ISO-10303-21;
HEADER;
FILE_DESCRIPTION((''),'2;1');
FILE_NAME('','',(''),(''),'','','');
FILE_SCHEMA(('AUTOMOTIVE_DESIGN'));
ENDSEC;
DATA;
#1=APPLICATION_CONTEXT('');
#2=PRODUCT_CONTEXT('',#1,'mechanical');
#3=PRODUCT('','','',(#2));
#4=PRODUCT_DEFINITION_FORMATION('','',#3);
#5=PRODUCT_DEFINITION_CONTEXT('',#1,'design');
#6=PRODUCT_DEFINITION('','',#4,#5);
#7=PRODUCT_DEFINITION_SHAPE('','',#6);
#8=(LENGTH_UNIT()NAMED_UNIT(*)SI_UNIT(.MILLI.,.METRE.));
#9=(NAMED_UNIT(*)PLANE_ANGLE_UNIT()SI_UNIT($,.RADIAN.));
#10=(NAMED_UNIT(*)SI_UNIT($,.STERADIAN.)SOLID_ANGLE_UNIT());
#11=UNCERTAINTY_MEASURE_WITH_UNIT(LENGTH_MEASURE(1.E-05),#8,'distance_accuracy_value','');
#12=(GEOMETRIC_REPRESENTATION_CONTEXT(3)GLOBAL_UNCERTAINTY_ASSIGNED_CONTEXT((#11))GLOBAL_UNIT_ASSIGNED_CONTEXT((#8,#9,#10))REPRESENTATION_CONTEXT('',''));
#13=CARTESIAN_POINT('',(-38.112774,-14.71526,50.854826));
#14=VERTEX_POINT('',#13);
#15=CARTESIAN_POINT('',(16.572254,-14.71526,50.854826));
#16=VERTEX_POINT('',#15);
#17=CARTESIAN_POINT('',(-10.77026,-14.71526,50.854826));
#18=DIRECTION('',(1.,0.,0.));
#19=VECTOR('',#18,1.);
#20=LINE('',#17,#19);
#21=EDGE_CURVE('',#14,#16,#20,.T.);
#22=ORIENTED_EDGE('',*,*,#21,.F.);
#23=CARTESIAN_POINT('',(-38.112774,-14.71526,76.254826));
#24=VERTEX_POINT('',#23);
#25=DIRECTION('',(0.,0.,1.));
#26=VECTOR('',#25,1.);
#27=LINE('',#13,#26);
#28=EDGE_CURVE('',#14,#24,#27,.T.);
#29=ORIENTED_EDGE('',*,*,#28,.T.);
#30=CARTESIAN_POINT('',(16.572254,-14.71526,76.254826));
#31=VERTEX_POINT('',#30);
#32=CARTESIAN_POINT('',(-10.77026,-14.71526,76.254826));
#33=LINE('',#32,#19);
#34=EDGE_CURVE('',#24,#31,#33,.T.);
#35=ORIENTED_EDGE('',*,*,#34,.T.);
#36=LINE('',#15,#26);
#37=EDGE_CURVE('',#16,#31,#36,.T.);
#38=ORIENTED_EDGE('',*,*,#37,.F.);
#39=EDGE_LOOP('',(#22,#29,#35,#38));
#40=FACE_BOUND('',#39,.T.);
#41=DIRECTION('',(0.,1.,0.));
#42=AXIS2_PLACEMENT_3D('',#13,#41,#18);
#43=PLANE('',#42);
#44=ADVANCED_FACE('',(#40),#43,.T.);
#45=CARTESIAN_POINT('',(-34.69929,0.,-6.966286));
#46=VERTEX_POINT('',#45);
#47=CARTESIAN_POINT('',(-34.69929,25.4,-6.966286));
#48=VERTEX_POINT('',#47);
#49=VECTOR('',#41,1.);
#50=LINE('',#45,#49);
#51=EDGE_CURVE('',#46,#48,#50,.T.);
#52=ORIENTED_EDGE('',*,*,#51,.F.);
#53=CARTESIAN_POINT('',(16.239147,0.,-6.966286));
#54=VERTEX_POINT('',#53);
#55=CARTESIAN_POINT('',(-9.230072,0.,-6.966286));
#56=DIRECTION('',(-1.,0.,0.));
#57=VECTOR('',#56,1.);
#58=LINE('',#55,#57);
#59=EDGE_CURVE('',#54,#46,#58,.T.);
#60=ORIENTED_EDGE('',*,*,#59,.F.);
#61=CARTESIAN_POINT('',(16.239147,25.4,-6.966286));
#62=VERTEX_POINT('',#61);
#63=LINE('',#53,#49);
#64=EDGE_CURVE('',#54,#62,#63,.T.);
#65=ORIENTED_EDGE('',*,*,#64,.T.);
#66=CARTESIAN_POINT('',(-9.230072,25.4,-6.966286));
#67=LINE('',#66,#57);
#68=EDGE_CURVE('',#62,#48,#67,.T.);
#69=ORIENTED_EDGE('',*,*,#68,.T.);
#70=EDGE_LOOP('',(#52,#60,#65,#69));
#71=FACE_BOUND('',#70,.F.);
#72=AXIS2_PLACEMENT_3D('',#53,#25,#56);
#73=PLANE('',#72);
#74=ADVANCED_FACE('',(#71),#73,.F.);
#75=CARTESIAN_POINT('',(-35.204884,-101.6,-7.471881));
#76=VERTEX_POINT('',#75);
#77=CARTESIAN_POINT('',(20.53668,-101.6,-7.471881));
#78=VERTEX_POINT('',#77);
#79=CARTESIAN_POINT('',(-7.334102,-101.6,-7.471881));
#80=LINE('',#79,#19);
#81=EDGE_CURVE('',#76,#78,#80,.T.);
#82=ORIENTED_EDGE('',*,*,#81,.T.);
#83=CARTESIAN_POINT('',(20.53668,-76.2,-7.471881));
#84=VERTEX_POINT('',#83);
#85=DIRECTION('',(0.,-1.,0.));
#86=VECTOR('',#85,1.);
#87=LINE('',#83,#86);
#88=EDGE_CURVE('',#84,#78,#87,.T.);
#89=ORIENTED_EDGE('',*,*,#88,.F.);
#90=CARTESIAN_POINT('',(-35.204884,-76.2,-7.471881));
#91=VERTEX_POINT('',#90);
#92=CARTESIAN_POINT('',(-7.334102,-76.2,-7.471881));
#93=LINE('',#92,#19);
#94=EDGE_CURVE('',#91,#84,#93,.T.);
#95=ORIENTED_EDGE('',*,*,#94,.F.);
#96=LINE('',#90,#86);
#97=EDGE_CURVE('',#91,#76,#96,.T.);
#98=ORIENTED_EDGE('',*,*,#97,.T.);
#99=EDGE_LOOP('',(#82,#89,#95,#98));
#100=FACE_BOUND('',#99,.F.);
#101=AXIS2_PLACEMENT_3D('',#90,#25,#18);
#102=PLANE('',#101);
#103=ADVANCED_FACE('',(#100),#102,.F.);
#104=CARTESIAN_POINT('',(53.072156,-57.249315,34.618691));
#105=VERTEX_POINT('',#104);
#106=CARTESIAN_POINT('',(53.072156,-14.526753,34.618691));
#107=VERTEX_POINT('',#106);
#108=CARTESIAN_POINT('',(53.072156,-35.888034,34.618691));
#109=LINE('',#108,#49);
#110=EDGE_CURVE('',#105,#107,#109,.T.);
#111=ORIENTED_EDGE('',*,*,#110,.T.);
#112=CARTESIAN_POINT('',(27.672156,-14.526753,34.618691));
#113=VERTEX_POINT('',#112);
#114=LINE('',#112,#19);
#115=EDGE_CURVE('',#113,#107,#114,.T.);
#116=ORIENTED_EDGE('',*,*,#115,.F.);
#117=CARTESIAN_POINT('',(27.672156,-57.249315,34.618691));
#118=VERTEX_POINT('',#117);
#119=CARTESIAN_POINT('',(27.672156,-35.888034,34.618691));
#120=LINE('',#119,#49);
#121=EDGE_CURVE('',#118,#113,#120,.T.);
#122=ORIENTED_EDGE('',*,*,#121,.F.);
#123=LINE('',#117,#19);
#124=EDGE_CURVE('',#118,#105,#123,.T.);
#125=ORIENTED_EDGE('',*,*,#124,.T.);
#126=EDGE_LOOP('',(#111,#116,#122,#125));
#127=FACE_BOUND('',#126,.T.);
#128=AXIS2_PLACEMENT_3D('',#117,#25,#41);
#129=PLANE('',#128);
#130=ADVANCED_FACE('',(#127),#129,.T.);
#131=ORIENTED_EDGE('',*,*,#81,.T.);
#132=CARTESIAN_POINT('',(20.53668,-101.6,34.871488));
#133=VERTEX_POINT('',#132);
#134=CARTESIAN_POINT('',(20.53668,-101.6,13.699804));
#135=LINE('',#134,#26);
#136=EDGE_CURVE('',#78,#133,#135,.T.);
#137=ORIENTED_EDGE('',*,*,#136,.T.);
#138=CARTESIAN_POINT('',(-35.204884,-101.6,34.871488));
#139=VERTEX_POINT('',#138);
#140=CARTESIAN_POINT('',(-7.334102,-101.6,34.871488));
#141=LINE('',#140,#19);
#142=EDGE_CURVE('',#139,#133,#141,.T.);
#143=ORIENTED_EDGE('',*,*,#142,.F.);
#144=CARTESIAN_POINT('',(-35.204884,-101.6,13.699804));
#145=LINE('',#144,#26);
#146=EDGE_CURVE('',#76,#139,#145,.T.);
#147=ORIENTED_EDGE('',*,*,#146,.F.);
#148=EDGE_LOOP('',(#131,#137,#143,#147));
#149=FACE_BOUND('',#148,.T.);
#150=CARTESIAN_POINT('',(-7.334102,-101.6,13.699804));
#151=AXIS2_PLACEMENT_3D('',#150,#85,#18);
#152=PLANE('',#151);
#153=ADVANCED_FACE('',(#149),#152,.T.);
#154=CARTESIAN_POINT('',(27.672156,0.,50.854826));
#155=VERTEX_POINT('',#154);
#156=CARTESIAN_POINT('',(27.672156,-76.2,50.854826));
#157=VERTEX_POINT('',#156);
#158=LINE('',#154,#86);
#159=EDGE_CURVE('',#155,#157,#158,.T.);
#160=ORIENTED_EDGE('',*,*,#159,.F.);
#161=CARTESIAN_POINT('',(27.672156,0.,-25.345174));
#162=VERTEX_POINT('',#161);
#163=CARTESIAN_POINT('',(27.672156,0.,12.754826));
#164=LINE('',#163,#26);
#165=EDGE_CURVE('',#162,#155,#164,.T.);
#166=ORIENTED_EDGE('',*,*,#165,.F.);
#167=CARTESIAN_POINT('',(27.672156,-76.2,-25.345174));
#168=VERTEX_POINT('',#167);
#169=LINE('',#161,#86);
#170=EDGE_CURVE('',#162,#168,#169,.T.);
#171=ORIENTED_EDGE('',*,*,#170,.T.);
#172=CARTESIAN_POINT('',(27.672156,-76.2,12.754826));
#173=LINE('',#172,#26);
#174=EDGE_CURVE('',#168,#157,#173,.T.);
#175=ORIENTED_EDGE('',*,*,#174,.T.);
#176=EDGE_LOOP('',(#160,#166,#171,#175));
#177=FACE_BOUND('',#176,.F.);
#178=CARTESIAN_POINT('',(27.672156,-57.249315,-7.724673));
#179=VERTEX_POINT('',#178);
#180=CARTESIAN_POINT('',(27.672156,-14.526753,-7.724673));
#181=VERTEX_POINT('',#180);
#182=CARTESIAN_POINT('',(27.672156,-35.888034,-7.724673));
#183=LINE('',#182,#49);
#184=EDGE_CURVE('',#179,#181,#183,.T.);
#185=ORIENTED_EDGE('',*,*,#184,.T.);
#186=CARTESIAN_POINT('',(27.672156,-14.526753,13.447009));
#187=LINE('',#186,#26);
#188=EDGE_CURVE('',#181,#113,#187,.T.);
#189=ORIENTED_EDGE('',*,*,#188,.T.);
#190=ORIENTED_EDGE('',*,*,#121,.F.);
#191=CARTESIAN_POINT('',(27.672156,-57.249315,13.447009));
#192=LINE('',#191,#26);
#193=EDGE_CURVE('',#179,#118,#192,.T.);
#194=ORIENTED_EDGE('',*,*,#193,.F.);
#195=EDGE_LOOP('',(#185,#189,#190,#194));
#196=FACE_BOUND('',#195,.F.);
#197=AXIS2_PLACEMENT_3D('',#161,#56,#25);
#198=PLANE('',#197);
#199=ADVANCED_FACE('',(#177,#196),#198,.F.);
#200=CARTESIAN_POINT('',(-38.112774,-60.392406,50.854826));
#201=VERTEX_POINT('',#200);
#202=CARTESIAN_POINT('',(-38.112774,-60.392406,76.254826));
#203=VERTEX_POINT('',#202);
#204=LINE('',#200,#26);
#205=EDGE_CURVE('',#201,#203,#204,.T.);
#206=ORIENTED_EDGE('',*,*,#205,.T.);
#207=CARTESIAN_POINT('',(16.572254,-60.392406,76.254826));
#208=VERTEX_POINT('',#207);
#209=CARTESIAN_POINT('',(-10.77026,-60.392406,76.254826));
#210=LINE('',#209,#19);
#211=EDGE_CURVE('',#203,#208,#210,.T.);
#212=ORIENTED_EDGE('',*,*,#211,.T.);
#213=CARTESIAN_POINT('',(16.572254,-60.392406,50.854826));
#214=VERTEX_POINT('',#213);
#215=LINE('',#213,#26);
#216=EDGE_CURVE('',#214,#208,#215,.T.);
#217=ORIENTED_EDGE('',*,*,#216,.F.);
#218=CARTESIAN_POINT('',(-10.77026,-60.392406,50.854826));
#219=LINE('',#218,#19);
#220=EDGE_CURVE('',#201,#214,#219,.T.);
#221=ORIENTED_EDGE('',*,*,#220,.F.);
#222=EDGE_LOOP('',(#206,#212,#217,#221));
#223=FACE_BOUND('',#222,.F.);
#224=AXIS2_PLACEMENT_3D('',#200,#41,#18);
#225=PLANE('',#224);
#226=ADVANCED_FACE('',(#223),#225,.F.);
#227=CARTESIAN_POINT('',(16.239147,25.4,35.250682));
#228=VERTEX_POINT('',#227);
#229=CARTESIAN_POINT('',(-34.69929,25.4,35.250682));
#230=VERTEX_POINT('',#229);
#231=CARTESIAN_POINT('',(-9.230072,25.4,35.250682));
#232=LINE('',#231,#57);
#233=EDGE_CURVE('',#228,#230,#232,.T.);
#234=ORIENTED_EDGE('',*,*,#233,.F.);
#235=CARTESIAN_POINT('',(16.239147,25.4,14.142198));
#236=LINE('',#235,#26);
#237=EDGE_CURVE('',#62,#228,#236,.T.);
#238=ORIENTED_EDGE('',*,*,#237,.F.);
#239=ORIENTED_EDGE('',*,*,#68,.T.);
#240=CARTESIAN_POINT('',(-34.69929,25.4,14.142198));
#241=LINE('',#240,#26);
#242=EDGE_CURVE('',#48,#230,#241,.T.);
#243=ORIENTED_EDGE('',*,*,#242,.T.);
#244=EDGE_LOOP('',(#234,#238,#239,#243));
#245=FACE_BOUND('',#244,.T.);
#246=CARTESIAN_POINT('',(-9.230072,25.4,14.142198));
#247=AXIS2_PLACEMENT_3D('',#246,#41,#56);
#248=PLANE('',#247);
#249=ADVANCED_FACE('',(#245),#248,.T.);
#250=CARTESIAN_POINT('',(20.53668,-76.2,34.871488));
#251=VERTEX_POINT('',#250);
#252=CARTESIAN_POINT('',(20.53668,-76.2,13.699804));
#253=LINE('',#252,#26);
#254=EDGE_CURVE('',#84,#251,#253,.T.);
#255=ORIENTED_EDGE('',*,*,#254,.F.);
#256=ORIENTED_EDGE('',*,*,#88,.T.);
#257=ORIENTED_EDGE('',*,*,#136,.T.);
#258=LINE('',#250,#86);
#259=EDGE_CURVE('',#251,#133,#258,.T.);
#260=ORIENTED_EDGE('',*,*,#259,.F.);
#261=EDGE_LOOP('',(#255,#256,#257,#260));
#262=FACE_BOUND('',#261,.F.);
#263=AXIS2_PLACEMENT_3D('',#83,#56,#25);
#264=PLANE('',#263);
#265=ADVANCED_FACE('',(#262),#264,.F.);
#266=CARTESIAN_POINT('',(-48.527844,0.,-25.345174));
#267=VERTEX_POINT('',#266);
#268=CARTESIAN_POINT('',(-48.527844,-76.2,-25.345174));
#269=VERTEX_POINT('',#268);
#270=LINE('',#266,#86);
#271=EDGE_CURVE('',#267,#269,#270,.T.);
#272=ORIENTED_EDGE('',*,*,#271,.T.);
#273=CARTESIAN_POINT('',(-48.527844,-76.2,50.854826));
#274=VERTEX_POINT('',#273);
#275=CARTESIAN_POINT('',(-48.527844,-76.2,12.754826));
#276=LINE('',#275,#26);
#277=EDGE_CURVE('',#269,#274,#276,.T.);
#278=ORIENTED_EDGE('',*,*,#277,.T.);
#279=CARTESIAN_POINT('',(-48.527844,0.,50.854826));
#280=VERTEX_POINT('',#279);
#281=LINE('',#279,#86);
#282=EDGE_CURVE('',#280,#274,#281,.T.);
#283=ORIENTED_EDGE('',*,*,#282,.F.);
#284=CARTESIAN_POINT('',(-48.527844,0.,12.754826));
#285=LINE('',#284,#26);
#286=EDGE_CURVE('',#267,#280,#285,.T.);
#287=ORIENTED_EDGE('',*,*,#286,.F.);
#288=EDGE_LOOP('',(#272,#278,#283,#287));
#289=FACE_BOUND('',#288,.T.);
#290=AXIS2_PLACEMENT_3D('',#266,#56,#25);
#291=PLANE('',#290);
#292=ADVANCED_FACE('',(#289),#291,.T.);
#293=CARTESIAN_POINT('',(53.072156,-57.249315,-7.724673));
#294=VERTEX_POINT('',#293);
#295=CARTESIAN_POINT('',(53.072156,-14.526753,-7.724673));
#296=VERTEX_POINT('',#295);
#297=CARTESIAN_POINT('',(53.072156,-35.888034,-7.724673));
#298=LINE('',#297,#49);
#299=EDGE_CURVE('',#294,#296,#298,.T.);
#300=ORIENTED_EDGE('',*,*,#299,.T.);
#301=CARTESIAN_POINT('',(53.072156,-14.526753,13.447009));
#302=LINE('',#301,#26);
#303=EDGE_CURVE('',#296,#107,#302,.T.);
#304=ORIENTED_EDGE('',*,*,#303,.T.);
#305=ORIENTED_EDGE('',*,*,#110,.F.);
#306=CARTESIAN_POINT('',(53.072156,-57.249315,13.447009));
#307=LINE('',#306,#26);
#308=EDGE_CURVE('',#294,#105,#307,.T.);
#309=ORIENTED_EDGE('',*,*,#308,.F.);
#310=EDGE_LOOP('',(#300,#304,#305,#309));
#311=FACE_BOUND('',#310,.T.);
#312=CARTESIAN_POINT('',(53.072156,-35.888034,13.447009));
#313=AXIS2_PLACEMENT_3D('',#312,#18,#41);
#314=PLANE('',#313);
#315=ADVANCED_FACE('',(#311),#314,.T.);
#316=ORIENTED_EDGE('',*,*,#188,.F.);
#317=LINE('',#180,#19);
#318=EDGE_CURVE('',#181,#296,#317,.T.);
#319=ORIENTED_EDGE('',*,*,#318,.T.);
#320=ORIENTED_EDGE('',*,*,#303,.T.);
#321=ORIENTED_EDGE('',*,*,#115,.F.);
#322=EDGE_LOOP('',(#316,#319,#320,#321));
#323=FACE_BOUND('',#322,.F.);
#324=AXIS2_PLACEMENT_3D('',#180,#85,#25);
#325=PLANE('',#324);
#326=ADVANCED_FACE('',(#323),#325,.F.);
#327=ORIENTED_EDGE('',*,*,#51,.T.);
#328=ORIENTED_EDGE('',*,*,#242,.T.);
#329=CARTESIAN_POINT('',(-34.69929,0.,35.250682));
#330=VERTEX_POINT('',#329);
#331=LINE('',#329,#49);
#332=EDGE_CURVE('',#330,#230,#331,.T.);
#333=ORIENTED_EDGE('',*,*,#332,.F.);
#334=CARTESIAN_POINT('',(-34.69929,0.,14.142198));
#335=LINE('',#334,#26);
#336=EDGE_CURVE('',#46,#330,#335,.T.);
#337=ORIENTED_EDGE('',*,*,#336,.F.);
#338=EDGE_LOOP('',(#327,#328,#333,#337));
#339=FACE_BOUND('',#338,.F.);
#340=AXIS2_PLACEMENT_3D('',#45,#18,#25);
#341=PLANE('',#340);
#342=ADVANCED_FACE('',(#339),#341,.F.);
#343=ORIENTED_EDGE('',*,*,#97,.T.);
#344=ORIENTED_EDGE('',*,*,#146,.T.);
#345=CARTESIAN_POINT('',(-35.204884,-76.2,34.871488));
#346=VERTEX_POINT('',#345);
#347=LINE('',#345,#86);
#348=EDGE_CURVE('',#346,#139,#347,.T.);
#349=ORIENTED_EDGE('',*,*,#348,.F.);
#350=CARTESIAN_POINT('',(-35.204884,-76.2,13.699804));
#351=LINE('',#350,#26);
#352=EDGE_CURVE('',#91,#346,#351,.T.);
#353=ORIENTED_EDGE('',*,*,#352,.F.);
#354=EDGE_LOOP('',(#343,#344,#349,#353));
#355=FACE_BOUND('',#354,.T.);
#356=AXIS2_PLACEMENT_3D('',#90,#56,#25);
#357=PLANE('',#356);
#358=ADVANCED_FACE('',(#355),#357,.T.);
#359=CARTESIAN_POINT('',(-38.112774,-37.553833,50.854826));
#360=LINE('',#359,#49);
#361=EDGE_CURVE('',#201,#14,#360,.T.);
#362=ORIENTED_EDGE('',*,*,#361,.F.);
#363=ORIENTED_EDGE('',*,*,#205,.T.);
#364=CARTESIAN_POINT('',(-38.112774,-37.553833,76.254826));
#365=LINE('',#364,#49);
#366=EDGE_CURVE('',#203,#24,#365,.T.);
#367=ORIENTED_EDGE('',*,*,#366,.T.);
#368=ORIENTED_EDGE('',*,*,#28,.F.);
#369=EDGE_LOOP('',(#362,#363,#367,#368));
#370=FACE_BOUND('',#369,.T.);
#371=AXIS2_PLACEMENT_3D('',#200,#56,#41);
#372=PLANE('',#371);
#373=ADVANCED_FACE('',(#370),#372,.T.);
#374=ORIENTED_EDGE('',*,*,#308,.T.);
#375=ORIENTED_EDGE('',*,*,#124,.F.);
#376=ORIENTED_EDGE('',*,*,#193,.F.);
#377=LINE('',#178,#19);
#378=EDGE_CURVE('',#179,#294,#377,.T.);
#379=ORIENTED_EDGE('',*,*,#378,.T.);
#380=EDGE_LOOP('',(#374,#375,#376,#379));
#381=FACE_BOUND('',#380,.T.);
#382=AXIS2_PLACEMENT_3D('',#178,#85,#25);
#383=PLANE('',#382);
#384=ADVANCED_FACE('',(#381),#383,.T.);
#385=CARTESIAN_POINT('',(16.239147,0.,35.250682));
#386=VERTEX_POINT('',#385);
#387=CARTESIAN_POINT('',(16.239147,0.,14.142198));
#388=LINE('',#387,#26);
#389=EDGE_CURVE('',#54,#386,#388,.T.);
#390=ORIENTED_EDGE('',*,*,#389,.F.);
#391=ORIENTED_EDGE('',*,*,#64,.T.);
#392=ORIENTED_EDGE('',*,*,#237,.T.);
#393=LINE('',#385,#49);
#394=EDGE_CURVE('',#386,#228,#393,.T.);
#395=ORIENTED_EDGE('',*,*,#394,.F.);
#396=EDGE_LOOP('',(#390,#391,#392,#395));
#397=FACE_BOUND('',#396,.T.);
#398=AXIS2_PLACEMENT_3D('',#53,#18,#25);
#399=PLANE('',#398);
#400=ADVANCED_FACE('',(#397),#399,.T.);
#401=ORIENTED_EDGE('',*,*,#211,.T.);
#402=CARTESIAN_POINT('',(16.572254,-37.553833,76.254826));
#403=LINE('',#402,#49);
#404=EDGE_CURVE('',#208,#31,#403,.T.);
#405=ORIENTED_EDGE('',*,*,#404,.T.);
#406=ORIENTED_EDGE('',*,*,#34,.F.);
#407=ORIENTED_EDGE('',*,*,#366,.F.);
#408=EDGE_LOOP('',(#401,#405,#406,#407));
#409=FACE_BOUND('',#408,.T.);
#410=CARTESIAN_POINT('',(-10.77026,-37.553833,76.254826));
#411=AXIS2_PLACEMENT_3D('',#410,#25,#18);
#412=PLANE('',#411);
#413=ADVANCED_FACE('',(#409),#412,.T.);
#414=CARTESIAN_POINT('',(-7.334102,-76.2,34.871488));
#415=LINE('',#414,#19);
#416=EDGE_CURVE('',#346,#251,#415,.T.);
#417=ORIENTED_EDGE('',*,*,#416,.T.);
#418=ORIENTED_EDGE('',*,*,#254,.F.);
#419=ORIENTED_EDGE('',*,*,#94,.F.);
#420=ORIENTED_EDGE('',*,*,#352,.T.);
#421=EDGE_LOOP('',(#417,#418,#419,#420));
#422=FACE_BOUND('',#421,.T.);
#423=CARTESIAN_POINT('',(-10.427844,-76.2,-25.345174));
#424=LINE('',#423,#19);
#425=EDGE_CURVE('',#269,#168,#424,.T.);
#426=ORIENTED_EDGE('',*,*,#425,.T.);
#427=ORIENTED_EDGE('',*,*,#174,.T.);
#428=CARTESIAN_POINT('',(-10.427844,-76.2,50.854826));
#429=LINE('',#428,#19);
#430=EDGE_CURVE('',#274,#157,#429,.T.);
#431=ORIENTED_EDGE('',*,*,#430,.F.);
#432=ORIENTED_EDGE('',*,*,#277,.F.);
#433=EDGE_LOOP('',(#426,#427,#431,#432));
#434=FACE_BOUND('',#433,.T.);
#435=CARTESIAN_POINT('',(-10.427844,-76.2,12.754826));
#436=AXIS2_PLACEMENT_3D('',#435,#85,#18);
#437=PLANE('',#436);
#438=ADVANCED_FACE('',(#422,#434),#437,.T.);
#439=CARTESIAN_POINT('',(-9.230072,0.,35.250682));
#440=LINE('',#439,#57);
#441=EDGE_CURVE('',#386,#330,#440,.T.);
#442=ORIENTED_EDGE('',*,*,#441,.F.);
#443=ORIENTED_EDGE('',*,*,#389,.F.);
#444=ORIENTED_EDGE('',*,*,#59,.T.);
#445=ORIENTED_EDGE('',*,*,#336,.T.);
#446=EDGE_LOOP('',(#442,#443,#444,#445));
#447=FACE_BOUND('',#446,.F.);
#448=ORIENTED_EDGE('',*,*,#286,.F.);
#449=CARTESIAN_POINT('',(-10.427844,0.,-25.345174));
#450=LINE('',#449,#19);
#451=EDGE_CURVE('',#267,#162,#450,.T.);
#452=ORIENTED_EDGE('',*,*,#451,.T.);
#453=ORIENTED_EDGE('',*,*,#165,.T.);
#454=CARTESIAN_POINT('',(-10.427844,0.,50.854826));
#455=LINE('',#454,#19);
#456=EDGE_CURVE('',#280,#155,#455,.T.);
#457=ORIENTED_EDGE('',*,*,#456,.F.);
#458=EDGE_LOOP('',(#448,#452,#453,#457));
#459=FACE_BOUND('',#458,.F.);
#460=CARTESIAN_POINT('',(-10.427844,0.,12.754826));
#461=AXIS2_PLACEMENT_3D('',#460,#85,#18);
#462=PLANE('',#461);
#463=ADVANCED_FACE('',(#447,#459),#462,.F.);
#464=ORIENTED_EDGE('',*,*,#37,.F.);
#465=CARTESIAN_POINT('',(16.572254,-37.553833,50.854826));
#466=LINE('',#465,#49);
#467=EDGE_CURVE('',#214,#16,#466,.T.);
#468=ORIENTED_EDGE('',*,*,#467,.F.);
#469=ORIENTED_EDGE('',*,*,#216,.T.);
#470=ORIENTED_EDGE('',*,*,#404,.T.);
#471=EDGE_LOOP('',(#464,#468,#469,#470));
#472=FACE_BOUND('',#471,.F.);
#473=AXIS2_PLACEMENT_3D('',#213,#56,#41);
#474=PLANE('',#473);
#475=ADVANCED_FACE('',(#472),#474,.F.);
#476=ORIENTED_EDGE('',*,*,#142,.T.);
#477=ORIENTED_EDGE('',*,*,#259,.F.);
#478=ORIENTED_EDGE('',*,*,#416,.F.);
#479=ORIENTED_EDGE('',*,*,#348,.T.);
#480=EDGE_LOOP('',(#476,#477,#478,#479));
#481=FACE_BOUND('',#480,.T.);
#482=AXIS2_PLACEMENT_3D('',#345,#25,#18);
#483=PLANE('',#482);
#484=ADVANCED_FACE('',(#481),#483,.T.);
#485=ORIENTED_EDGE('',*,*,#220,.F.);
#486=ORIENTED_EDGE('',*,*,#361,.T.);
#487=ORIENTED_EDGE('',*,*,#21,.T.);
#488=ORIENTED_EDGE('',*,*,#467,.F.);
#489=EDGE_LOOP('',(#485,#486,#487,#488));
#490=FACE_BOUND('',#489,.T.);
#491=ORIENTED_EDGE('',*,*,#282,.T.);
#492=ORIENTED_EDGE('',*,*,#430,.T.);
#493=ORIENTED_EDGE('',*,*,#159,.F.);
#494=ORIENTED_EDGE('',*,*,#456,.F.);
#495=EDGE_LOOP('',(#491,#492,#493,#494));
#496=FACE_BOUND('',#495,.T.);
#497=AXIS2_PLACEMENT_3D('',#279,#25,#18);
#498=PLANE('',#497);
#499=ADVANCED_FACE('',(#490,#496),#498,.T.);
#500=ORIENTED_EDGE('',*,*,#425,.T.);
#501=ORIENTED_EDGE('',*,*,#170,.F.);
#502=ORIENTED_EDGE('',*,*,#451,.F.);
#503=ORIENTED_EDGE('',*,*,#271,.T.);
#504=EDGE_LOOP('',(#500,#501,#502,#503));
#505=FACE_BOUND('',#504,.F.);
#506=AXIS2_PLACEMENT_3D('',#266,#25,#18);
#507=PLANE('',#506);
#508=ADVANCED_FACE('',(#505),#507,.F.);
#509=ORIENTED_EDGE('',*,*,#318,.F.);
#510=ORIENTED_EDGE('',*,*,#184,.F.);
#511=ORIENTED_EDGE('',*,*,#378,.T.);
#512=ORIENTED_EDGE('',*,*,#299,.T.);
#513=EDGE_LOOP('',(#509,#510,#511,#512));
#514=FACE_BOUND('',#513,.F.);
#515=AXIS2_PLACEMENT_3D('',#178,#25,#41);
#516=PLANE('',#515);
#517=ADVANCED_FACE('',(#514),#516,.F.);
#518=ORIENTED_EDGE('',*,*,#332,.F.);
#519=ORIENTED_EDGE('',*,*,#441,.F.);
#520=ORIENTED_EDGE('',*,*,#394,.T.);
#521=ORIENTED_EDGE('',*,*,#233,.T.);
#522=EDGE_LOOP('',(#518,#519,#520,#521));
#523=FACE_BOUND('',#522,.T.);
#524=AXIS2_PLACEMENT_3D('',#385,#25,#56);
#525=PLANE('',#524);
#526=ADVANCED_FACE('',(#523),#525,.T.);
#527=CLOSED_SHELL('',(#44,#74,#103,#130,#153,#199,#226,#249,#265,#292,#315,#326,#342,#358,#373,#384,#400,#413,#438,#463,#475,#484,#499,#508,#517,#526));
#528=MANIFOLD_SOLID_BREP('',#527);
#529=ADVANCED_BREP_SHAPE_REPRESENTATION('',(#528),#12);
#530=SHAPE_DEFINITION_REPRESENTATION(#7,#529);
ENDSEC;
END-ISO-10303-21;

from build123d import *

# Parameters (mm, degrees)
F0_W     = 76.2
F0_H     = 76.2
F1_DEPTH = 76.2
F2_W     = 54.685028
F2_H     = 45.677146
F3_DEPTH = 25.4
F4_W     = 42.722562
F4_H     = 42.343364
F5_DEPTH = 25.4
F6_W     = 55.741564
F6_H     = 42.343369
F7_DEPTH = 25.4
F8_W     = 50.938437
F8_H     = 42.216968
F9_DEPTH = 25.4


with BuildPart() as f1:
    # F0 (on Front) → F1 (new body)
    with BuildSketch(Plane.XZ):
        with Locations((-10.427844, 12.754826)):
            Rectangle(F0_W, F0_H)
    extrude(amount=F1_DEPTH)

    # F2 (on face) → F3 (join)
    with BuildSketch(Plane.XY.offset(50.854826)):
        with Locations((-10.77026, -37.553833)):
            Rectangle(F2_W, F2_H)
    extrude(amount=F3_DEPTH)

    # F4 (on face) → F5 (join)
    with BuildSketch(Plane.YZ.offset(27.672156)):
        with Locations((-35.888034, 13.447009)):
            Rectangle(F4_W, F4_H)
    extrude(amount=F5_DEPTH)

    # F6 (on face) → F7 (join)
    with BuildSketch(Plane.XZ.offset(76.2)):
        with Locations((-7.334102, 13.699804)):
            Rectangle(F6_W, F6_H)
    extrude(amount=F7_DEPTH)

    # F8 (on face) → F9 (join)
    with BuildSketch(Plane(origin=(0, 0, 0), x_dir=(-1, 0, 0), z_dir=(0, 1, 0))):
        with Locations((9.230072, 14.142198)):
            Rectangle(F8_W, F8_H)
    extrude(amount=F9_DEPTH)


solid = f1.part
